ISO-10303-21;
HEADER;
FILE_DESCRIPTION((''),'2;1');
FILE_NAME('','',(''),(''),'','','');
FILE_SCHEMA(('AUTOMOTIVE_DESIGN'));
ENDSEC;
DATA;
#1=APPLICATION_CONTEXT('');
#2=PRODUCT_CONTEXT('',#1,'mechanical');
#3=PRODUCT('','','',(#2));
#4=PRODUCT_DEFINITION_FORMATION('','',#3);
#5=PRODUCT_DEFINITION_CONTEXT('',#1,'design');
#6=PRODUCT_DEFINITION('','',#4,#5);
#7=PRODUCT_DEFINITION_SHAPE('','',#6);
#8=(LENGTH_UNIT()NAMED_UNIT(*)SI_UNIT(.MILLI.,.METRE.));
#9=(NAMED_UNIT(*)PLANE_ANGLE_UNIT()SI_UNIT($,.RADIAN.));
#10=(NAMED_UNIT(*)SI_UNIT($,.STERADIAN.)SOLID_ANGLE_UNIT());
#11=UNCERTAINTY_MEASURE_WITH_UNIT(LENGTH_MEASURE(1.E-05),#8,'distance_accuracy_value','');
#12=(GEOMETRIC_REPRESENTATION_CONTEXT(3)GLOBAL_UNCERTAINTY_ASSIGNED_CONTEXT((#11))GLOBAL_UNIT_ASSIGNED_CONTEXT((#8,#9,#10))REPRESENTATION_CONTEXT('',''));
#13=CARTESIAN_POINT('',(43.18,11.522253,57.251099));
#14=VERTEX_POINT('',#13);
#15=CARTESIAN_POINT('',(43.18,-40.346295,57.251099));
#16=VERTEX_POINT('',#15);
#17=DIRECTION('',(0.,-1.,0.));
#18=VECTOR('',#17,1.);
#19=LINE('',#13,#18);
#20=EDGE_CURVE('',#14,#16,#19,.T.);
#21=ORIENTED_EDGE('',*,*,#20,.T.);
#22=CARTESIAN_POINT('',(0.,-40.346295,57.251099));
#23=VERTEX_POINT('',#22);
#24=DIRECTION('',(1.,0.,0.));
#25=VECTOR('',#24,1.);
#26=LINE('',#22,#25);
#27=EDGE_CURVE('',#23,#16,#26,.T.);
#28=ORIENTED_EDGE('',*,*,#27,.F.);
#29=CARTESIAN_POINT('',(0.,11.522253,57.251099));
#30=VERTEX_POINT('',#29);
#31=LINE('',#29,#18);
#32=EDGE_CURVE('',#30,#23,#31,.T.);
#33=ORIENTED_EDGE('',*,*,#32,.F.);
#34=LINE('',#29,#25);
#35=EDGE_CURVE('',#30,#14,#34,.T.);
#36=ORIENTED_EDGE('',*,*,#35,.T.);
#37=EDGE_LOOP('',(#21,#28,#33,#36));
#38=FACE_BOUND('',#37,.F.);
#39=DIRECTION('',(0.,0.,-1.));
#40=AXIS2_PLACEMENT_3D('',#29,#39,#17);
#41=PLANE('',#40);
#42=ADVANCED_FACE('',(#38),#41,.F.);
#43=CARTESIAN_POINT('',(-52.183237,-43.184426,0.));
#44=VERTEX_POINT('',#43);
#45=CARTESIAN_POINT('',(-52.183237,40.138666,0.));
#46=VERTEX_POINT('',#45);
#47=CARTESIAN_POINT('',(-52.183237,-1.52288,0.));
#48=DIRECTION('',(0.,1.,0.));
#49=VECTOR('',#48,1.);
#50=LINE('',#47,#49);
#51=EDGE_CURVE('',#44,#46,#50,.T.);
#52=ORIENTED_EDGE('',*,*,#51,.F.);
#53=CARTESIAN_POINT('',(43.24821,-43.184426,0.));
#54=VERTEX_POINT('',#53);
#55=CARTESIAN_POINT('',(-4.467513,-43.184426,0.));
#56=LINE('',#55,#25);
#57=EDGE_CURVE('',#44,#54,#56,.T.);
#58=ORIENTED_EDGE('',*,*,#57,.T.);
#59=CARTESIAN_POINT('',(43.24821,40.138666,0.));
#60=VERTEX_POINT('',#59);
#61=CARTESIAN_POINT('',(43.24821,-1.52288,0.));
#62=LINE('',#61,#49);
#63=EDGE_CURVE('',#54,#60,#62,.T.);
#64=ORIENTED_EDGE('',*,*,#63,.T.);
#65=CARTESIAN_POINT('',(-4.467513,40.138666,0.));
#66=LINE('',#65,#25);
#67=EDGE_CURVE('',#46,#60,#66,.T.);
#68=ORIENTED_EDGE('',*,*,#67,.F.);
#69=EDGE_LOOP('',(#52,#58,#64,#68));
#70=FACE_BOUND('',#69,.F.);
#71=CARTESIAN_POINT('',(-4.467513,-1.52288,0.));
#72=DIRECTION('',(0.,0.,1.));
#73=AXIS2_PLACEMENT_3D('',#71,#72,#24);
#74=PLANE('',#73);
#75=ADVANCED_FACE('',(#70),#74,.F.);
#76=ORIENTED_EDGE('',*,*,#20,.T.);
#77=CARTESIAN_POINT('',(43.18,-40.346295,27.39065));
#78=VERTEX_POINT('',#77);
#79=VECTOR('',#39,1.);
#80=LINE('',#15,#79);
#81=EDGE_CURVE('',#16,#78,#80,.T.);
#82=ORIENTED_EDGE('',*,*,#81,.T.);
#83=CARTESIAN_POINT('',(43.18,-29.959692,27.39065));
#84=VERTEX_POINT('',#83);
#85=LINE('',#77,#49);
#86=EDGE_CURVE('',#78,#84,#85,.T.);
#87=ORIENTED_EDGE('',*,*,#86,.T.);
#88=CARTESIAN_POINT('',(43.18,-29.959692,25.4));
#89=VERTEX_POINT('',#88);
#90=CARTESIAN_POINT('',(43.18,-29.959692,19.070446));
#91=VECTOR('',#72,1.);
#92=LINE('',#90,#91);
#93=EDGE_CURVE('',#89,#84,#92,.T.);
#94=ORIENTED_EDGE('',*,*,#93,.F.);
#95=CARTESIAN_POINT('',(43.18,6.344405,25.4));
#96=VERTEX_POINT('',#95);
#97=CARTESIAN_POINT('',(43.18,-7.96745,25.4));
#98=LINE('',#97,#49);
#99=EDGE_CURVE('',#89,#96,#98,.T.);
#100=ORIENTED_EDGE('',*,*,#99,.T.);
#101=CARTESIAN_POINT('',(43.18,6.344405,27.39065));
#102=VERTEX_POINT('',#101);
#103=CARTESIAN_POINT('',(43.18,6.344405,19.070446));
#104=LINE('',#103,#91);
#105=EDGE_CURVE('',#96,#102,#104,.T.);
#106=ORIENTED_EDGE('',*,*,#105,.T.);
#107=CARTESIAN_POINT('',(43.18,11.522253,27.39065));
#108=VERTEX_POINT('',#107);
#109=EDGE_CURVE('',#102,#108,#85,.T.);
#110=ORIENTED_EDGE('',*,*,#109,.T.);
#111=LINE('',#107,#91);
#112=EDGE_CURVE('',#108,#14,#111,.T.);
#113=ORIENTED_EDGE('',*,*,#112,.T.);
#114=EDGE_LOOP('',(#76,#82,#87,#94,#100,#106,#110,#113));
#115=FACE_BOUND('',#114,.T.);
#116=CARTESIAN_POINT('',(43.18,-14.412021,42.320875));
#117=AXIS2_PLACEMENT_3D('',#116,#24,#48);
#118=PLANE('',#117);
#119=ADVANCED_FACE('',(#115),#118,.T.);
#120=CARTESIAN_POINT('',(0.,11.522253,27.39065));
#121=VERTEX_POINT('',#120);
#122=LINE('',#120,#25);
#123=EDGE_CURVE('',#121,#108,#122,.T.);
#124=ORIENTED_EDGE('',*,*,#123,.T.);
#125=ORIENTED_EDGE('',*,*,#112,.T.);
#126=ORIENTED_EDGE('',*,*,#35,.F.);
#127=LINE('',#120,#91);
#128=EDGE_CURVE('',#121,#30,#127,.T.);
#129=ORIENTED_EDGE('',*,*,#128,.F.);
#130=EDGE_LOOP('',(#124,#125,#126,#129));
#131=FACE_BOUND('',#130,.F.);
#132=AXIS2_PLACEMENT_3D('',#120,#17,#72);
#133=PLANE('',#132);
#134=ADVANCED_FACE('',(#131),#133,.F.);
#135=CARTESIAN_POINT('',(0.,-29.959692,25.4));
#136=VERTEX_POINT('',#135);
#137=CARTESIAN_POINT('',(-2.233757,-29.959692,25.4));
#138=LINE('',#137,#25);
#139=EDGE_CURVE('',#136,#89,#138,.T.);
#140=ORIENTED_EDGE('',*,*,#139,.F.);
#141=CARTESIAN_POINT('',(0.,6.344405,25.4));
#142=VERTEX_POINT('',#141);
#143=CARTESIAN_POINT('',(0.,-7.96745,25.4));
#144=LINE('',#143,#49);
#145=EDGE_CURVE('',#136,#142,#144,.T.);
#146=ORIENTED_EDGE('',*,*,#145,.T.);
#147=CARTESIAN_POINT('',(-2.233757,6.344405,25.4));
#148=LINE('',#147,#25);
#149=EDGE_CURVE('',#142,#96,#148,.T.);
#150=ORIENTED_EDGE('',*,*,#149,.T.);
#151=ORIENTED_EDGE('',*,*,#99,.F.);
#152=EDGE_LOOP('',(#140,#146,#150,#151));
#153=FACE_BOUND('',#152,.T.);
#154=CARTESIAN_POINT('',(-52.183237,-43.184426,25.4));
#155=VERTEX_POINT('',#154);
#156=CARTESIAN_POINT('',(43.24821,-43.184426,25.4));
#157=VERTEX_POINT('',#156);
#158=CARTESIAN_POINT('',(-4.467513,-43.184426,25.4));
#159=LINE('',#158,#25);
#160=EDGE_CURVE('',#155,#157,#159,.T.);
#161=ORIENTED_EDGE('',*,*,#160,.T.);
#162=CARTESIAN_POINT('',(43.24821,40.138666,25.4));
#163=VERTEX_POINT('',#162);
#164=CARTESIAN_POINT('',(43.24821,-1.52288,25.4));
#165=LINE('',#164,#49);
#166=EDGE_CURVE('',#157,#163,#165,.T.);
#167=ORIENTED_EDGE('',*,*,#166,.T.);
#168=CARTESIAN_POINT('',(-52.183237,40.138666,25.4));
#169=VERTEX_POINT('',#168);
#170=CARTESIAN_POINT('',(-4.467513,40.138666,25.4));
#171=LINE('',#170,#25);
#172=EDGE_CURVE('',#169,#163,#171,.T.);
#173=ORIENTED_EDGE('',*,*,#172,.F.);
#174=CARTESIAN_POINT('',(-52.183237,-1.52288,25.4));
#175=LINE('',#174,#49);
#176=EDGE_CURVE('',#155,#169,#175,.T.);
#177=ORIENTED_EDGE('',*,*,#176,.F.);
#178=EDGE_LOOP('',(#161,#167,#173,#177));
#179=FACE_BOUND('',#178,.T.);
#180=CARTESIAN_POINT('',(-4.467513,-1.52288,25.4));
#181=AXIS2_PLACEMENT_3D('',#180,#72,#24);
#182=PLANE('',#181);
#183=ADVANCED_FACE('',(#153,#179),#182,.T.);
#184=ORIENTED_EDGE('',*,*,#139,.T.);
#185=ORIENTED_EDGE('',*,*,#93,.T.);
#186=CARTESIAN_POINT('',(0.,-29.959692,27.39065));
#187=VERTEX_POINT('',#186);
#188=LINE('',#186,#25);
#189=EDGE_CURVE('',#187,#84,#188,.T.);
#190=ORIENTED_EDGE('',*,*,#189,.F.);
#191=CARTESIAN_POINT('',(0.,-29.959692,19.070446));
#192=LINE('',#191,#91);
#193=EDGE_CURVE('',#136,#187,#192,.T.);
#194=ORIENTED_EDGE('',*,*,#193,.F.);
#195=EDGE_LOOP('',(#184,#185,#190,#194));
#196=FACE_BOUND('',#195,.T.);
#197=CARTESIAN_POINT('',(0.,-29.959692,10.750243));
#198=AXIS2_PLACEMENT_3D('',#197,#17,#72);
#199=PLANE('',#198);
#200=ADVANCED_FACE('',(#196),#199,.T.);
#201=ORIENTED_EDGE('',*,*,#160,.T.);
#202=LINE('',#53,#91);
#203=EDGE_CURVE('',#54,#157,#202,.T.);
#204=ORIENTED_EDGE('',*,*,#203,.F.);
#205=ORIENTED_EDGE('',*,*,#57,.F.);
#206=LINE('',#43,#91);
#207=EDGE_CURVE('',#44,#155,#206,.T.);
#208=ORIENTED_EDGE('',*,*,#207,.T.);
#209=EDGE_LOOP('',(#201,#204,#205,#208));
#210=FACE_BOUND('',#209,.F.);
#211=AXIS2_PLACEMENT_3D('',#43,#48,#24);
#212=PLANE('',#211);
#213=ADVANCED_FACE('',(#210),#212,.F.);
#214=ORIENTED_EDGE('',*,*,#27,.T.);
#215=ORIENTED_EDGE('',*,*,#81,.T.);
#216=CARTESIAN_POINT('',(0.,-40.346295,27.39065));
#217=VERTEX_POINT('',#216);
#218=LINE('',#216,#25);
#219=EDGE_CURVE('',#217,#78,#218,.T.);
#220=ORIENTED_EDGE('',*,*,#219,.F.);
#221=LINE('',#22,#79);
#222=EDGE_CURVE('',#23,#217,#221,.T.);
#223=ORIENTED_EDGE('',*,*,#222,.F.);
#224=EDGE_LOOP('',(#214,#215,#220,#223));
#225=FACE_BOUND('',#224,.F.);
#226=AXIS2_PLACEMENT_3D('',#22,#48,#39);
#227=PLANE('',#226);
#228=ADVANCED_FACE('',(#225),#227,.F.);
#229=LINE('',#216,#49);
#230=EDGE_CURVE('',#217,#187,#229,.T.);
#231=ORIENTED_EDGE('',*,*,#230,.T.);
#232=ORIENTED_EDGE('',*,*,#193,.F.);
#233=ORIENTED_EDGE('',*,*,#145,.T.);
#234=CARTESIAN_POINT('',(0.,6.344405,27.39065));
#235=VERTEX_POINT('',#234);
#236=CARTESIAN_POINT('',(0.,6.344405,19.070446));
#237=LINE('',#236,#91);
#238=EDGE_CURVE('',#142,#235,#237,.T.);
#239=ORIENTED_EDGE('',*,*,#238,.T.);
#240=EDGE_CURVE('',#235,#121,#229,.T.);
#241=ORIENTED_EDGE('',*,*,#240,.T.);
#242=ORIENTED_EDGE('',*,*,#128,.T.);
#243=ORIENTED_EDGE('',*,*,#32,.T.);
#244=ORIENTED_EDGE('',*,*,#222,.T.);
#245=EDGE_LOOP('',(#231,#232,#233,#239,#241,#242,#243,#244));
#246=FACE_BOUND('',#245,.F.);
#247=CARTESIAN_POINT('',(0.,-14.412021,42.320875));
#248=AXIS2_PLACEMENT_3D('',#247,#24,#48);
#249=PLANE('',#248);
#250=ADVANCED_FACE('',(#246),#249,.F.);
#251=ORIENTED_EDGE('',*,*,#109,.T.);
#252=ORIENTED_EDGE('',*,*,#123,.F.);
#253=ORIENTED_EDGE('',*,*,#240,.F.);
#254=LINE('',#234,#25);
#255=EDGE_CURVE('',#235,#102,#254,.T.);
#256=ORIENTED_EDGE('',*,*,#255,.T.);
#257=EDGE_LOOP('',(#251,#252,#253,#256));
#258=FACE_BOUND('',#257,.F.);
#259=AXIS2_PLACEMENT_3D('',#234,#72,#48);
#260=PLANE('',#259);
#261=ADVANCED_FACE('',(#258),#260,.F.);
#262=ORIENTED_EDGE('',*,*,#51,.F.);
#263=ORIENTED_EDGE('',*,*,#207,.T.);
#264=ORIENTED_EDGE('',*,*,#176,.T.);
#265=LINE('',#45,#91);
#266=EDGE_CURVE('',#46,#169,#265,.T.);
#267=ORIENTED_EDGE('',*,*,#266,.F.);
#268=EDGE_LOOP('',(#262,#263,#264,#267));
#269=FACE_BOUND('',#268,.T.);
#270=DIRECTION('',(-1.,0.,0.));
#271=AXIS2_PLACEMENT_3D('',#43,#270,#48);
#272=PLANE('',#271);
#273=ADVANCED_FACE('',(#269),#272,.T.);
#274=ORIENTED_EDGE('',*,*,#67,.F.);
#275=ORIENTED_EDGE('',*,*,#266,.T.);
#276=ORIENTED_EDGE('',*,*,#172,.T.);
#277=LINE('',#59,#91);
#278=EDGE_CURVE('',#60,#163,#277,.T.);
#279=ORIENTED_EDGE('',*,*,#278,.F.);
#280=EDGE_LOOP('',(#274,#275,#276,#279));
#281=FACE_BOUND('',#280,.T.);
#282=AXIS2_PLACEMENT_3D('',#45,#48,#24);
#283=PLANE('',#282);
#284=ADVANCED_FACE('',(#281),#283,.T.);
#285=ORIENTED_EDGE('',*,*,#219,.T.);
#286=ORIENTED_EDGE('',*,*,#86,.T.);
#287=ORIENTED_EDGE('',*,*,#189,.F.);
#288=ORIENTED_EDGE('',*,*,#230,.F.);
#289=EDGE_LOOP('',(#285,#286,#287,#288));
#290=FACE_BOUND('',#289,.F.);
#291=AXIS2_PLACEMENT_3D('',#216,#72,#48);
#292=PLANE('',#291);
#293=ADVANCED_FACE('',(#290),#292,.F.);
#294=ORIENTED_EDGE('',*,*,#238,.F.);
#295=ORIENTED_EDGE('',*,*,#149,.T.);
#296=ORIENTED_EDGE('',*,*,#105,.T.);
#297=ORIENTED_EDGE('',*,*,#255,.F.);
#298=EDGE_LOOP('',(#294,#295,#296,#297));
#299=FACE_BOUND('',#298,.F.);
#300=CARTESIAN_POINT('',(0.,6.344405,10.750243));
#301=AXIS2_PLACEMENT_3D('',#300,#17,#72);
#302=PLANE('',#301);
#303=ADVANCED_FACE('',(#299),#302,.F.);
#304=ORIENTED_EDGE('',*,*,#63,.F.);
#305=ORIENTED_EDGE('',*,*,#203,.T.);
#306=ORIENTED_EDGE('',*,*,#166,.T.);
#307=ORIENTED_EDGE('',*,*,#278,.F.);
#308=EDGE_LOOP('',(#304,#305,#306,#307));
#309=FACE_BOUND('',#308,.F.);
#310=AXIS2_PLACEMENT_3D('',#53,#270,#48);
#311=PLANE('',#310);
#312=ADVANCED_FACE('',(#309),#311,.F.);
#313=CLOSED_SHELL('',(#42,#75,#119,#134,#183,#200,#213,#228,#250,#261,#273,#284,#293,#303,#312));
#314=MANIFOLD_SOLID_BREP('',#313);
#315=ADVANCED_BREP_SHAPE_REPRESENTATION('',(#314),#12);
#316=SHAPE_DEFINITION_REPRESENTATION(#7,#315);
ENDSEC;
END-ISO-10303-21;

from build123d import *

# Parameters (mm, degrees)
F0_W     = 95.4314470291
F0_H     = 83.3230912685
F1_DEPTH = 25.4
F2_W     = 36.3040966913
F2_H     = 16.6404070333
F3_DEPTH = 43.18


with BuildPart() as f1:
    # F0 (on Top) → F1 (new body)
    with BuildSketch(Plane.XY):
        with Locations((-4.4675134122, -1.5228800476)):
            Rectangle(F0_W, F0_H)
    extrude(amount=F1_DEPTH)

    # F2 (on Right) → F3 (join)
    with BuildSketch(Plane.YZ):
        Polygon((-40.3462946415, 57.2510994971), (-40.3462946415, 27.3906495422), (-29.9596916884, 27.3906495422), (6.3444050029, 27.3906495422), (11.5222530439, 27.3906495422), (11.5222530439, 57.2510994971), align=None)
        with Locations((-11.8076433428, 19.0704460256)):
            Rectangle(F2_W, F2_H)
    extrude(amount=F3_DEPTH)


solid = f1.part
